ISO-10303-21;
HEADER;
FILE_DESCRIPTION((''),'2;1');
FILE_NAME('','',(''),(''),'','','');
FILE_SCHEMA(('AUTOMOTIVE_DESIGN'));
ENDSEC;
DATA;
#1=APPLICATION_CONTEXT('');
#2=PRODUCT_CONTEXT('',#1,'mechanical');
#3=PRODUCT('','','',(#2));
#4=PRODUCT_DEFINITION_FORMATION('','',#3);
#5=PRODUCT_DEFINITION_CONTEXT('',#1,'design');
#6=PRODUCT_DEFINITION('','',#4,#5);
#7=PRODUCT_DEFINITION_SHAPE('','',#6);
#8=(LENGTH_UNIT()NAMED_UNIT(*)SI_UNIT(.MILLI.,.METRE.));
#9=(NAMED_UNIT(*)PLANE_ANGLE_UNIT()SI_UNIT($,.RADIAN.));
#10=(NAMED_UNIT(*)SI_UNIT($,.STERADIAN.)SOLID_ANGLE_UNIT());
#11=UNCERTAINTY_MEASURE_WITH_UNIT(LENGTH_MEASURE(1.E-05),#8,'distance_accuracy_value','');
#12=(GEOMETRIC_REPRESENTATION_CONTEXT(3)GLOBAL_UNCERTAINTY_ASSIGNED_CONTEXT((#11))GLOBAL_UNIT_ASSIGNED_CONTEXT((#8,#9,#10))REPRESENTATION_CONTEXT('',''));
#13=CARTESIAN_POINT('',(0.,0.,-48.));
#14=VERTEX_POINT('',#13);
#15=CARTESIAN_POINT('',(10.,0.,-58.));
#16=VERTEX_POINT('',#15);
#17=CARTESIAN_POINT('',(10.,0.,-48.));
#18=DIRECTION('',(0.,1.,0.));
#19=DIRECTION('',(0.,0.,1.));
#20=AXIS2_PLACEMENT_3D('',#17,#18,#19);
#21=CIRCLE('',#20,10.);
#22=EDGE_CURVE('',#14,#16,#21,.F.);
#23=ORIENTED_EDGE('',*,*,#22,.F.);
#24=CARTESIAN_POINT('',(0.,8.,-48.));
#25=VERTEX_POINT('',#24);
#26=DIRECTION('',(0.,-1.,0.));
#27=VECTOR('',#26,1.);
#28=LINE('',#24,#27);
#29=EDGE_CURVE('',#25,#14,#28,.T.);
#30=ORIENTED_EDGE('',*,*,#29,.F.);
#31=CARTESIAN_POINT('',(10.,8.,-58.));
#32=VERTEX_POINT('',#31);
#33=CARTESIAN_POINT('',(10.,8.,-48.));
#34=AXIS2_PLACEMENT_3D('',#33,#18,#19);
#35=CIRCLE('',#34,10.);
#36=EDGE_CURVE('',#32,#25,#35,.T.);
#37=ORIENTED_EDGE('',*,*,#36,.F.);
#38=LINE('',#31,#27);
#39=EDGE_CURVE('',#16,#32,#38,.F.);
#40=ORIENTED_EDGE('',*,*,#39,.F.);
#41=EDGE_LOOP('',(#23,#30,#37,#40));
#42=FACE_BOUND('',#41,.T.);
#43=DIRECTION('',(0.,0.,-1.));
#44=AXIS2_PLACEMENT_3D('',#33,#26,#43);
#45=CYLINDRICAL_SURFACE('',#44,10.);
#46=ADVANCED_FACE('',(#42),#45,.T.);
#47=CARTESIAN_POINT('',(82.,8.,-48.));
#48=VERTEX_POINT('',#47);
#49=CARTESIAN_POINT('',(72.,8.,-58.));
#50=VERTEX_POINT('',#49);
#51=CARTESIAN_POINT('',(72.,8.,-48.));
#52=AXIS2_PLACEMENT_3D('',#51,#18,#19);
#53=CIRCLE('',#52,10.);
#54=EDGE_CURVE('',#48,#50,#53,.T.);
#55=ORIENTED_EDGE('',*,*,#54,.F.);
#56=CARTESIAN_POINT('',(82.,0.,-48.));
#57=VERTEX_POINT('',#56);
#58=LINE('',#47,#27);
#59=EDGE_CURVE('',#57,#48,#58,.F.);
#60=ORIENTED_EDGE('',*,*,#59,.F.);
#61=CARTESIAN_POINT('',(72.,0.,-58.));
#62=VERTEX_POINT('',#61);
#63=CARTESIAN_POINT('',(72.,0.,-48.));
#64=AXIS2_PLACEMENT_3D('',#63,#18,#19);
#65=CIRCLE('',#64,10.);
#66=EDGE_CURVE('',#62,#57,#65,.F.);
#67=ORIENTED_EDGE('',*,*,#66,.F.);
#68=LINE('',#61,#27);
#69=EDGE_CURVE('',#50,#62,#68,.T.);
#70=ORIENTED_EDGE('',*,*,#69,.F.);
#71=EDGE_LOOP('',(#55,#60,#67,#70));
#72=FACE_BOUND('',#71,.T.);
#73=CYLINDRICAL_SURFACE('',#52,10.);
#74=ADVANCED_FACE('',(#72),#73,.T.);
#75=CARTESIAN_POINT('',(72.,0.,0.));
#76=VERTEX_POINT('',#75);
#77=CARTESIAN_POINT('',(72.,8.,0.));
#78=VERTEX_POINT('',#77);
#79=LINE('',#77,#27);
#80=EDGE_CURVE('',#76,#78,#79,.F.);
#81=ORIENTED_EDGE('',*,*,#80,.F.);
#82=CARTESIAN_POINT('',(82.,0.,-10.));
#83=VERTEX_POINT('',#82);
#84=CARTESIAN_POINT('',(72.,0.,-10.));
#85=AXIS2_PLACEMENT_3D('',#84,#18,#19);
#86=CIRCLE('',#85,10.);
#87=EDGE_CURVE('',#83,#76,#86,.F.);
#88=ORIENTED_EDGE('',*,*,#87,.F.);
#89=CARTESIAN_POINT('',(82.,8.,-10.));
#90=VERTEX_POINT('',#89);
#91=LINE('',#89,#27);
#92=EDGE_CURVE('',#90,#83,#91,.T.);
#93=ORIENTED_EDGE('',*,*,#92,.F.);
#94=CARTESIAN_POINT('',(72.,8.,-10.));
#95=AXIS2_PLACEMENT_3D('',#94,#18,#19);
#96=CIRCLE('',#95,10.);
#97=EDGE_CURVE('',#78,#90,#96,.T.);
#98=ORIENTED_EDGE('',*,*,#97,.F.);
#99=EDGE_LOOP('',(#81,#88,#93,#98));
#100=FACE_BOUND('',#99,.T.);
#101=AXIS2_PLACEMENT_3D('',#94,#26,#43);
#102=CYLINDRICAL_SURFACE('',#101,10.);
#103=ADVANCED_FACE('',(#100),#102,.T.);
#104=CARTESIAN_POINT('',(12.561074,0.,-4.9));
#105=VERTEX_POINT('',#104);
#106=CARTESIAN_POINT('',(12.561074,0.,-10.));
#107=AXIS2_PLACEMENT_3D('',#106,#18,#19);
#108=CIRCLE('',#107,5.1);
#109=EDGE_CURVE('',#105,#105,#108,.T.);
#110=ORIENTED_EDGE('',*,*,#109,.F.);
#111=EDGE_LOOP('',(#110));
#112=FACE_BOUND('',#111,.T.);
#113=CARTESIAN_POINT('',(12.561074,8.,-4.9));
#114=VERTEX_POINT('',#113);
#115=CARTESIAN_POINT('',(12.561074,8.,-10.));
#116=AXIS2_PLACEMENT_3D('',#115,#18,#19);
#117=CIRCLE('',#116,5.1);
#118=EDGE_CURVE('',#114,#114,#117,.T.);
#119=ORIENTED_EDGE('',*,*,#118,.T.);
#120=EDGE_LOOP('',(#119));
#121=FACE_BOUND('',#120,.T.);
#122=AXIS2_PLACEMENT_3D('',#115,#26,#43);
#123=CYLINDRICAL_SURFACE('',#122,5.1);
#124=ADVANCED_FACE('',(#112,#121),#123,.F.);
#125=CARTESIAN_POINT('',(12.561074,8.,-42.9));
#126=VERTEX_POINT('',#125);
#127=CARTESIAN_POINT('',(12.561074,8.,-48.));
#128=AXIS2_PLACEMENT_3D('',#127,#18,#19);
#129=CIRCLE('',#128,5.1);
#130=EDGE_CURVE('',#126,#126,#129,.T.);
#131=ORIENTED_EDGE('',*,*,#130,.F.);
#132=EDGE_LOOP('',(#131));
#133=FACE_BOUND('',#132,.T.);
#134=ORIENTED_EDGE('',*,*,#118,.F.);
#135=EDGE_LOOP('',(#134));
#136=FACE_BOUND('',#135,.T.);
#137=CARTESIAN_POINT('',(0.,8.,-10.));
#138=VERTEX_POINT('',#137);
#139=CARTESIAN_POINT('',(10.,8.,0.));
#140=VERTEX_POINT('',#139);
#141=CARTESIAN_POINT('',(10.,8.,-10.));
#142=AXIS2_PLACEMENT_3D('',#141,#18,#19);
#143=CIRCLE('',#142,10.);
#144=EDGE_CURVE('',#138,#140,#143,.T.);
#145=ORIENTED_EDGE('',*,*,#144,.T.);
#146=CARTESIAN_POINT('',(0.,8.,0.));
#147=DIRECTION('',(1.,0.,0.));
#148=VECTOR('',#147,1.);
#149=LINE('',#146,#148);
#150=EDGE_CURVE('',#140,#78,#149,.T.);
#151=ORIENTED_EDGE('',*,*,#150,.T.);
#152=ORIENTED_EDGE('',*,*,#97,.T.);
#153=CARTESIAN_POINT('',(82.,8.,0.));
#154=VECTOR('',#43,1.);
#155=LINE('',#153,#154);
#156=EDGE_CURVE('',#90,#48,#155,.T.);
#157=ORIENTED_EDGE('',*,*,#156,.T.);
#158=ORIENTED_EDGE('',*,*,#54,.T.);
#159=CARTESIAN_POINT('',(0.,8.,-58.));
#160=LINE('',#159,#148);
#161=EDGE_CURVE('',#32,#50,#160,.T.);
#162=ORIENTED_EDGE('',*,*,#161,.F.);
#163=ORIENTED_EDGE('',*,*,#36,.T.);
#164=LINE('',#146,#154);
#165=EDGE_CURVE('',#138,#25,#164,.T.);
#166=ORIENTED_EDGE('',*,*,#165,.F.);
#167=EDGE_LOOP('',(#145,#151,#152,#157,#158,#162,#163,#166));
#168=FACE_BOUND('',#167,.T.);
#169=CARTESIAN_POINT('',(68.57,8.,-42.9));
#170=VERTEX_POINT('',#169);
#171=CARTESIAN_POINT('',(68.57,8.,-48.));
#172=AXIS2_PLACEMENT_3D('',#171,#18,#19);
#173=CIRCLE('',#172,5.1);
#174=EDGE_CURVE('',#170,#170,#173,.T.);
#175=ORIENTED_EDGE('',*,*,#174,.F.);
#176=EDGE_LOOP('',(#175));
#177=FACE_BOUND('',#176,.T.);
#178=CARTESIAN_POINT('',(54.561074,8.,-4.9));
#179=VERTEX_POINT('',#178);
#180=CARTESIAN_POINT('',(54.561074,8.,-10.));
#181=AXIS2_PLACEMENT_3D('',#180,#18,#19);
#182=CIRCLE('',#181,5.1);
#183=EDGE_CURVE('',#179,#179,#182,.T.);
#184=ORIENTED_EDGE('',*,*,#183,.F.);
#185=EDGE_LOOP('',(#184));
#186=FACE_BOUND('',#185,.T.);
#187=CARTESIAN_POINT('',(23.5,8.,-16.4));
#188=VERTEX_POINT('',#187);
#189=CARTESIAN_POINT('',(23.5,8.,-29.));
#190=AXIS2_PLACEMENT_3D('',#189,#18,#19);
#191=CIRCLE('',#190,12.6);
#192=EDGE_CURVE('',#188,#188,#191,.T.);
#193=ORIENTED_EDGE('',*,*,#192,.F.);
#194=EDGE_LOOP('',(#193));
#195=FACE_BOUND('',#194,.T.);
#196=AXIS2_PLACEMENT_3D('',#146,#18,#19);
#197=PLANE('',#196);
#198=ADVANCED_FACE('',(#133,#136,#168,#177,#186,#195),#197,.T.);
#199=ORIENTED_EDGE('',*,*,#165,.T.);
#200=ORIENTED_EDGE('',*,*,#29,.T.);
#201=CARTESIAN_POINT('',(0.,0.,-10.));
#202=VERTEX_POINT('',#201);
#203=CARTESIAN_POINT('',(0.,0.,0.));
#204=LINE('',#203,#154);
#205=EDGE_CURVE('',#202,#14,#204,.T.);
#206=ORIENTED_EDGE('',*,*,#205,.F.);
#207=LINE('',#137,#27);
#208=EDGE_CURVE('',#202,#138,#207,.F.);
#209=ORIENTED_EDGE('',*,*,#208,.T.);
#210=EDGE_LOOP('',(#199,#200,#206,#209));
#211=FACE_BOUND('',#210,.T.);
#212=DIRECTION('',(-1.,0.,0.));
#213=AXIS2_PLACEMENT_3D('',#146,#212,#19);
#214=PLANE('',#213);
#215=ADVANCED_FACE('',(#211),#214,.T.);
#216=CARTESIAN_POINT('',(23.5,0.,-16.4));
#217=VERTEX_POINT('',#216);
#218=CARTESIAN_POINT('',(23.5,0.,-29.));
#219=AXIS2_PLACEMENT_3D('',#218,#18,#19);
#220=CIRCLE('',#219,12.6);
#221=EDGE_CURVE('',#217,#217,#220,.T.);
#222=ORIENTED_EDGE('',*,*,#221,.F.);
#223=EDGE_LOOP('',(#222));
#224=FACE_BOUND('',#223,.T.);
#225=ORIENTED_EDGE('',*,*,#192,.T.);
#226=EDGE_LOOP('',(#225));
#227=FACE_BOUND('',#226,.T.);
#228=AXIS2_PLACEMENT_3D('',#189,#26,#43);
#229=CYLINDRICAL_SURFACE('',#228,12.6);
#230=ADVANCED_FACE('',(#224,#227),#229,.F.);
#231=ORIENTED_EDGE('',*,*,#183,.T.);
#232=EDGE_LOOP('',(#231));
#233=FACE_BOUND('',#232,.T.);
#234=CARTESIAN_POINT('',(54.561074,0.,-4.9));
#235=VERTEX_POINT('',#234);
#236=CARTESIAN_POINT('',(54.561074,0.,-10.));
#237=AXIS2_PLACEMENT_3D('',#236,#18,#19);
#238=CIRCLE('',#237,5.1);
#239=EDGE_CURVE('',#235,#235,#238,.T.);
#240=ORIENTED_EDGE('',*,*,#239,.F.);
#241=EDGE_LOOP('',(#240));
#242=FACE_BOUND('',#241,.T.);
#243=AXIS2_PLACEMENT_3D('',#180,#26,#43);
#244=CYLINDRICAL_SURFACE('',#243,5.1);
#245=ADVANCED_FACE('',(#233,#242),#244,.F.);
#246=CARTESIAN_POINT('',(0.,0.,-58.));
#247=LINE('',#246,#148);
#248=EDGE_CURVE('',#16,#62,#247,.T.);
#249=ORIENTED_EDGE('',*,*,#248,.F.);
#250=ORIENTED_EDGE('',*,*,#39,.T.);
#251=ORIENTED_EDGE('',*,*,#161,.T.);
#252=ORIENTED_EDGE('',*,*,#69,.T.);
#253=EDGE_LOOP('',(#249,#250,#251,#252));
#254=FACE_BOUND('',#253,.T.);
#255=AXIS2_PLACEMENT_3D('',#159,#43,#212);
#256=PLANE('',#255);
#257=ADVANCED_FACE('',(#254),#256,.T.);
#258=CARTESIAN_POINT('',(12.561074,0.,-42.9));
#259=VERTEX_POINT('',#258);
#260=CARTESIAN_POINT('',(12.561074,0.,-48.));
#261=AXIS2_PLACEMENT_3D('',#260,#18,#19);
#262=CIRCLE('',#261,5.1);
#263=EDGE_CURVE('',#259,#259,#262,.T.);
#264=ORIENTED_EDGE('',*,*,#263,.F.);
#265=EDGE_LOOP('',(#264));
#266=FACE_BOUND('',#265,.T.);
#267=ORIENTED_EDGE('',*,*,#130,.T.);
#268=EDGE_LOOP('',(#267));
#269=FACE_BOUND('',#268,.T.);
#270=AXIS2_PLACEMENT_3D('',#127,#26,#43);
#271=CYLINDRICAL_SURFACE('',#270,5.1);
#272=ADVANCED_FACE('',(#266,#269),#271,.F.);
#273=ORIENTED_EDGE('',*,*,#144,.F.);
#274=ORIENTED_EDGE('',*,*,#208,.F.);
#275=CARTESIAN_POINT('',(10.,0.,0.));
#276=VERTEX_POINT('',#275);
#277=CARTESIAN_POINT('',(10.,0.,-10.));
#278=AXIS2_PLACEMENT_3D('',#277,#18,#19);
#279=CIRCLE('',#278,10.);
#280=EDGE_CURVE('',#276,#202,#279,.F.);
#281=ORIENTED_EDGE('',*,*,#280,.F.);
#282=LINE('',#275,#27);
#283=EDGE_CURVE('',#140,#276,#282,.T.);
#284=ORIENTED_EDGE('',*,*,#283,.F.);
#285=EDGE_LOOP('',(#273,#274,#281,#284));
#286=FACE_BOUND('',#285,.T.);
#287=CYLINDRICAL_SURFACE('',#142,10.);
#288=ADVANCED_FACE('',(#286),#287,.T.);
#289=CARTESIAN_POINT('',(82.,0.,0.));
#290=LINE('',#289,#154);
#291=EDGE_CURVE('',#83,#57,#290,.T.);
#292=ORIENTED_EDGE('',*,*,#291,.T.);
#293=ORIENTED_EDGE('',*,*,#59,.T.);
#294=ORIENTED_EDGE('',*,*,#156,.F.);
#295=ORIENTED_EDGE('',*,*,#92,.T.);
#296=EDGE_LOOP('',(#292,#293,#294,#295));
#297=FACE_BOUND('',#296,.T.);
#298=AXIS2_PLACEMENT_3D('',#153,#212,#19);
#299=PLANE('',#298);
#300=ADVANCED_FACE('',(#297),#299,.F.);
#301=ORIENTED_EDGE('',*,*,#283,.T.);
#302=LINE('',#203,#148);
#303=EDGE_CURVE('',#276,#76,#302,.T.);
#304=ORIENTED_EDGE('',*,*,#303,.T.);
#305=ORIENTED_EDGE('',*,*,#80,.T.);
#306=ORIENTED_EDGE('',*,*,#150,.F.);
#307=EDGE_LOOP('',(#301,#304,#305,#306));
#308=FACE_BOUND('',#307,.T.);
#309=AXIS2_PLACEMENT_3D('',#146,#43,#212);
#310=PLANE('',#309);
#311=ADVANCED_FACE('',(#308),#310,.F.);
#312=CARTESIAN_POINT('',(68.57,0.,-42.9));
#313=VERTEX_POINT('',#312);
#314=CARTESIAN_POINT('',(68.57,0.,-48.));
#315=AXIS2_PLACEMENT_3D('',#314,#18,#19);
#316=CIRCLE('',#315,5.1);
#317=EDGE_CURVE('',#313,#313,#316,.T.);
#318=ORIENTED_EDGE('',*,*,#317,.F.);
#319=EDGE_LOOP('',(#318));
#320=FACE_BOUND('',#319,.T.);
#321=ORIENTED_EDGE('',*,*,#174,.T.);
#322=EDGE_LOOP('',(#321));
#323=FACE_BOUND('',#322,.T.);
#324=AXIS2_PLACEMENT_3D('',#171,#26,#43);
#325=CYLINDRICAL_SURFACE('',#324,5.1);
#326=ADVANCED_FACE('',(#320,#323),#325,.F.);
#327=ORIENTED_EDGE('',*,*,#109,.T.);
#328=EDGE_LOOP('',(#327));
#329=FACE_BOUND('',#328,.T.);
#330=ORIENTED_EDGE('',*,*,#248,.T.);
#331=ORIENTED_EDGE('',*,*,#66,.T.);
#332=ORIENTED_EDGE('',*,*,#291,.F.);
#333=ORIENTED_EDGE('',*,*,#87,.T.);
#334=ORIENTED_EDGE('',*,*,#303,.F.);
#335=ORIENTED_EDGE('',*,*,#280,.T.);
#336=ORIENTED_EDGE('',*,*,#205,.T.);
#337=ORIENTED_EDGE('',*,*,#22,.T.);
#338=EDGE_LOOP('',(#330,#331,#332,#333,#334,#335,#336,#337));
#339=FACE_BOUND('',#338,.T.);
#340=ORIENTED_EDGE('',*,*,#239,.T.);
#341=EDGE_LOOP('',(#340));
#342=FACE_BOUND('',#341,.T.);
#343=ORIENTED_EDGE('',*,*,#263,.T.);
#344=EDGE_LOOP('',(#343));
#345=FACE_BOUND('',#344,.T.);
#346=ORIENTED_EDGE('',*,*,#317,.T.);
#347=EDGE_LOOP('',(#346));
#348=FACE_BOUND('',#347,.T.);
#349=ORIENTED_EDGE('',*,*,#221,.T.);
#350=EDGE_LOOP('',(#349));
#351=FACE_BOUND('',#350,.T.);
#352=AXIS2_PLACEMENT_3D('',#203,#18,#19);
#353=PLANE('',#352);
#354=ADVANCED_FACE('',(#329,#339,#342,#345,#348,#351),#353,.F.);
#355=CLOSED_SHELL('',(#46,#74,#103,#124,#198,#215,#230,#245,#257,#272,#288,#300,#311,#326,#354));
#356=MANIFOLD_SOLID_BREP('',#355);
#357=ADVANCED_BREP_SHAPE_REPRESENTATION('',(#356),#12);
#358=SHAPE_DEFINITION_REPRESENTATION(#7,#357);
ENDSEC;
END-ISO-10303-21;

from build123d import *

# Parameters (mm, degrees)
SKETCH1_W           = 82
SKETCH1_H           = 58
SKETCH1_R           = 12.6
SKETCH1_R_2         = 5.1
BOSS_EXTRUDE1_DEPTH = 8
FILLET1_R           = 10


with BuildPart() as part:
    # Sketch1 → Boss-Extrude1 (new body)
    with BuildSketch(Plane(origin=(0, 0, 0), x_dir=(1, 0, 0), z_dir=(0, 1, 0))):
        with Locations((41, 29)):
            Rectangle(SKETCH1_W, SKETCH1_H)
        with Locations(Location((23.5, 29, 0), (0, 0, 270))):
            Circle(SKETCH1_R, mode=Mode.SUBTRACT)
        with Locations(Location((68.57, 48, 0), (0, 0, 270))):
            Circle(SKETCH1_R_2, mode=Mode.SUBTRACT)
        with Locations(Location((54.561074274, 10, 0), (0, 0, 270))):
            Circle(SKETCH1_R_2, mode=Mode.SUBTRACT)
        with Locations(Location((12.561074274, 10, 0), (0, 0, 270))):
            Circle(SKETCH1_R_2, mode=Mode.SUBTRACT)
        with Locations(Location((12.561074274, 48, 0), (0, 0, 270))):
            Circle(SKETCH1_R_2, mode=Mode.SUBTRACT)
    extrude(amount=BOSS_EXTRUDE1_DEPTH)

    # Fillet1
    fillet1_edges = [part.edges().sort_by_distance(p)[0] for p in [
        (0, 4, 0),
        (0, 4, -58),
        (82, 4, -58),
        (82, 4, 0),
    ]]
    fillet(fillet1_edges, radius=FILLET1_R)


solid = part.part
